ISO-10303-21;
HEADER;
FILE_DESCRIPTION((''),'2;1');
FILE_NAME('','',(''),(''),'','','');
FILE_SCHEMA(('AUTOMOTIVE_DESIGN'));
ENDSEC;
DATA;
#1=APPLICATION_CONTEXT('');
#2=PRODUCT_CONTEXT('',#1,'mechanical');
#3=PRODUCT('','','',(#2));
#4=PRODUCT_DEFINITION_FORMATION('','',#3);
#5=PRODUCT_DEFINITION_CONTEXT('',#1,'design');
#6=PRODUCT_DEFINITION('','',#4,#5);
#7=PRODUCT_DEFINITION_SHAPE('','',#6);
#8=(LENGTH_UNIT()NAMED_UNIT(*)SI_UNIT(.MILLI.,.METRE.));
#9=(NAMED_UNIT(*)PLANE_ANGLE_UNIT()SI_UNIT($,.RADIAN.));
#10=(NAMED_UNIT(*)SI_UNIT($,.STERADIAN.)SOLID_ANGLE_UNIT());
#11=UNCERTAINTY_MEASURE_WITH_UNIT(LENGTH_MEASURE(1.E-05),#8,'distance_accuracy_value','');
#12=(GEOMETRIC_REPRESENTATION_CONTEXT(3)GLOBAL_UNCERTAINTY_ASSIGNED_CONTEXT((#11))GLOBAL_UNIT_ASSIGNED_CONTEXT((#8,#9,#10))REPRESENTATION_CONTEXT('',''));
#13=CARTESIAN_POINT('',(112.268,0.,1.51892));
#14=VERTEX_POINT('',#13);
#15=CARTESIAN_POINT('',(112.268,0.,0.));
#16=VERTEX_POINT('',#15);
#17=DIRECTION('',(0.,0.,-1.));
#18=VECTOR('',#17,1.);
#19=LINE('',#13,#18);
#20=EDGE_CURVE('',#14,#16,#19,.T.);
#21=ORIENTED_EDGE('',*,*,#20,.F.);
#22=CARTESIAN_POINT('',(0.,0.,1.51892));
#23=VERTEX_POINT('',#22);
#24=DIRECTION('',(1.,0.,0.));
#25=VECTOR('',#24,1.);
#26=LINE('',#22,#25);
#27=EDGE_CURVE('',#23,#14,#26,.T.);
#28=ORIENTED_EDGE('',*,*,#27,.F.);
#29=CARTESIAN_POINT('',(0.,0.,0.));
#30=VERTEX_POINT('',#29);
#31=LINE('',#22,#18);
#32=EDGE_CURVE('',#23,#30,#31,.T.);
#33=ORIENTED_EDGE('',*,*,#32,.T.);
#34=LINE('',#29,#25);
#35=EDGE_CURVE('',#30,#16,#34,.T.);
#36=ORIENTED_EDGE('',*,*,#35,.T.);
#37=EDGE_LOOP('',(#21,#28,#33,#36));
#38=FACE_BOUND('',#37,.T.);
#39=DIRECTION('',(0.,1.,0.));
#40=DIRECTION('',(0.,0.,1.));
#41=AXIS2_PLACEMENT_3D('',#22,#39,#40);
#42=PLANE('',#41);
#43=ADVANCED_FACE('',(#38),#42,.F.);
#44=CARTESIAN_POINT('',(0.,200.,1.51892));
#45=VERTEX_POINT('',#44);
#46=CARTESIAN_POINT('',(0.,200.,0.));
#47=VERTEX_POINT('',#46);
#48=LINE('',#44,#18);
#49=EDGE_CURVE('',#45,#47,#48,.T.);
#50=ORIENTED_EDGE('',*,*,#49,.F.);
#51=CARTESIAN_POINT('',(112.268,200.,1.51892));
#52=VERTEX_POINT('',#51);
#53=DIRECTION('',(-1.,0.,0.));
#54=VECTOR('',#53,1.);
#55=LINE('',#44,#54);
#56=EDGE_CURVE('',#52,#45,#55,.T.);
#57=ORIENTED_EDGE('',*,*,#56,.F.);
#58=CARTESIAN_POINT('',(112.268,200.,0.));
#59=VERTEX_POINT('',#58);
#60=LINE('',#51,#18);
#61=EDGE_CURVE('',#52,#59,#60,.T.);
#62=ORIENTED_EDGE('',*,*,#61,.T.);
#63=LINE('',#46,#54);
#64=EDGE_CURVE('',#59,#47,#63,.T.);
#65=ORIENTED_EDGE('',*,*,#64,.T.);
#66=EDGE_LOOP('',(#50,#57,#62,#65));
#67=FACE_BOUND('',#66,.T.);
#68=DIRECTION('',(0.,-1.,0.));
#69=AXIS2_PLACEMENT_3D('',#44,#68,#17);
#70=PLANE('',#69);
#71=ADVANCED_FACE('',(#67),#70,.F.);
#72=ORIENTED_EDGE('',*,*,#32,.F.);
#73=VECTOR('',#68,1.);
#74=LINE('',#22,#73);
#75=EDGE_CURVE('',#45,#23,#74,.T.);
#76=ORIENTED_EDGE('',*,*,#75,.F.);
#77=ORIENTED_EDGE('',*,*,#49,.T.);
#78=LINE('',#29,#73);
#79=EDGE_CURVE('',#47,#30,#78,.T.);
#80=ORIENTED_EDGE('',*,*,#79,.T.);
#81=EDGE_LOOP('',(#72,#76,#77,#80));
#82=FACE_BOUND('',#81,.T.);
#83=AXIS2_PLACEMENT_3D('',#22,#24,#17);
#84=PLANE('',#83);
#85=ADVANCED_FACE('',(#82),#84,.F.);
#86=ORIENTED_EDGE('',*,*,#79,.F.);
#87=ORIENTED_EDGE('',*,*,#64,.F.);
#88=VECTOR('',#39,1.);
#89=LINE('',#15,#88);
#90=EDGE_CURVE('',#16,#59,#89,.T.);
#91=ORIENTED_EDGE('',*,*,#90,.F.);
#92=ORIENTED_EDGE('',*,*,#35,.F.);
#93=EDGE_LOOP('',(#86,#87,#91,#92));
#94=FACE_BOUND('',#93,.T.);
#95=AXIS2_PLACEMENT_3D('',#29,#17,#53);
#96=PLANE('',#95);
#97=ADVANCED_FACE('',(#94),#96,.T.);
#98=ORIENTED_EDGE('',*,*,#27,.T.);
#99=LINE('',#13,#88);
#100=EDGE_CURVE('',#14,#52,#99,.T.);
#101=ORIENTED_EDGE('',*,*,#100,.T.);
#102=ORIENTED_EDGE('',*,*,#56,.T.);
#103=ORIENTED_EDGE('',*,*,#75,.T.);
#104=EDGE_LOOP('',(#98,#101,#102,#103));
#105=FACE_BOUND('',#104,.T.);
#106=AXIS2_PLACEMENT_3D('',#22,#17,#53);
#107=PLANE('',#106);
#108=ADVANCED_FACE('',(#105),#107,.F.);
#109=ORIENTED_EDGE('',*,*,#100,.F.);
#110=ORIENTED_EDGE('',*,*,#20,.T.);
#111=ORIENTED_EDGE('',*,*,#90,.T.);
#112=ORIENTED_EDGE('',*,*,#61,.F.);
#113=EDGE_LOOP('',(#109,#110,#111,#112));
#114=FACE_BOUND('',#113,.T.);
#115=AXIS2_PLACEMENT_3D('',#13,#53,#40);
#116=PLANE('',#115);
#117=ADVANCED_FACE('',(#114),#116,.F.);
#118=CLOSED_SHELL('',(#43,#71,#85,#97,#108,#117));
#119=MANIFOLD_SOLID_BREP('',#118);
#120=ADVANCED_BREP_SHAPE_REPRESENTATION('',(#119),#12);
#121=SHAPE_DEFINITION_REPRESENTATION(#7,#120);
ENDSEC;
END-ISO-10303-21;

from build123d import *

# Parameters (mm, degrees)
SKETCH1_W                 = 112.268
SKETCH1_H                 = 200
BOTTOM_OUTER_CASING_DEPTH = 1.51892


with BuildPart() as part:
    # Sketch1 → Bottom Outer Casing (new body)
    with BuildSketch(Plane.XY):
        with Locations((56.134, 100)):
            Rectangle(SKETCH1_W, SKETCH1_H)
    extrude(amount=BOTTOM_OUTER_CASING_DEPTH)


solid = part.part
